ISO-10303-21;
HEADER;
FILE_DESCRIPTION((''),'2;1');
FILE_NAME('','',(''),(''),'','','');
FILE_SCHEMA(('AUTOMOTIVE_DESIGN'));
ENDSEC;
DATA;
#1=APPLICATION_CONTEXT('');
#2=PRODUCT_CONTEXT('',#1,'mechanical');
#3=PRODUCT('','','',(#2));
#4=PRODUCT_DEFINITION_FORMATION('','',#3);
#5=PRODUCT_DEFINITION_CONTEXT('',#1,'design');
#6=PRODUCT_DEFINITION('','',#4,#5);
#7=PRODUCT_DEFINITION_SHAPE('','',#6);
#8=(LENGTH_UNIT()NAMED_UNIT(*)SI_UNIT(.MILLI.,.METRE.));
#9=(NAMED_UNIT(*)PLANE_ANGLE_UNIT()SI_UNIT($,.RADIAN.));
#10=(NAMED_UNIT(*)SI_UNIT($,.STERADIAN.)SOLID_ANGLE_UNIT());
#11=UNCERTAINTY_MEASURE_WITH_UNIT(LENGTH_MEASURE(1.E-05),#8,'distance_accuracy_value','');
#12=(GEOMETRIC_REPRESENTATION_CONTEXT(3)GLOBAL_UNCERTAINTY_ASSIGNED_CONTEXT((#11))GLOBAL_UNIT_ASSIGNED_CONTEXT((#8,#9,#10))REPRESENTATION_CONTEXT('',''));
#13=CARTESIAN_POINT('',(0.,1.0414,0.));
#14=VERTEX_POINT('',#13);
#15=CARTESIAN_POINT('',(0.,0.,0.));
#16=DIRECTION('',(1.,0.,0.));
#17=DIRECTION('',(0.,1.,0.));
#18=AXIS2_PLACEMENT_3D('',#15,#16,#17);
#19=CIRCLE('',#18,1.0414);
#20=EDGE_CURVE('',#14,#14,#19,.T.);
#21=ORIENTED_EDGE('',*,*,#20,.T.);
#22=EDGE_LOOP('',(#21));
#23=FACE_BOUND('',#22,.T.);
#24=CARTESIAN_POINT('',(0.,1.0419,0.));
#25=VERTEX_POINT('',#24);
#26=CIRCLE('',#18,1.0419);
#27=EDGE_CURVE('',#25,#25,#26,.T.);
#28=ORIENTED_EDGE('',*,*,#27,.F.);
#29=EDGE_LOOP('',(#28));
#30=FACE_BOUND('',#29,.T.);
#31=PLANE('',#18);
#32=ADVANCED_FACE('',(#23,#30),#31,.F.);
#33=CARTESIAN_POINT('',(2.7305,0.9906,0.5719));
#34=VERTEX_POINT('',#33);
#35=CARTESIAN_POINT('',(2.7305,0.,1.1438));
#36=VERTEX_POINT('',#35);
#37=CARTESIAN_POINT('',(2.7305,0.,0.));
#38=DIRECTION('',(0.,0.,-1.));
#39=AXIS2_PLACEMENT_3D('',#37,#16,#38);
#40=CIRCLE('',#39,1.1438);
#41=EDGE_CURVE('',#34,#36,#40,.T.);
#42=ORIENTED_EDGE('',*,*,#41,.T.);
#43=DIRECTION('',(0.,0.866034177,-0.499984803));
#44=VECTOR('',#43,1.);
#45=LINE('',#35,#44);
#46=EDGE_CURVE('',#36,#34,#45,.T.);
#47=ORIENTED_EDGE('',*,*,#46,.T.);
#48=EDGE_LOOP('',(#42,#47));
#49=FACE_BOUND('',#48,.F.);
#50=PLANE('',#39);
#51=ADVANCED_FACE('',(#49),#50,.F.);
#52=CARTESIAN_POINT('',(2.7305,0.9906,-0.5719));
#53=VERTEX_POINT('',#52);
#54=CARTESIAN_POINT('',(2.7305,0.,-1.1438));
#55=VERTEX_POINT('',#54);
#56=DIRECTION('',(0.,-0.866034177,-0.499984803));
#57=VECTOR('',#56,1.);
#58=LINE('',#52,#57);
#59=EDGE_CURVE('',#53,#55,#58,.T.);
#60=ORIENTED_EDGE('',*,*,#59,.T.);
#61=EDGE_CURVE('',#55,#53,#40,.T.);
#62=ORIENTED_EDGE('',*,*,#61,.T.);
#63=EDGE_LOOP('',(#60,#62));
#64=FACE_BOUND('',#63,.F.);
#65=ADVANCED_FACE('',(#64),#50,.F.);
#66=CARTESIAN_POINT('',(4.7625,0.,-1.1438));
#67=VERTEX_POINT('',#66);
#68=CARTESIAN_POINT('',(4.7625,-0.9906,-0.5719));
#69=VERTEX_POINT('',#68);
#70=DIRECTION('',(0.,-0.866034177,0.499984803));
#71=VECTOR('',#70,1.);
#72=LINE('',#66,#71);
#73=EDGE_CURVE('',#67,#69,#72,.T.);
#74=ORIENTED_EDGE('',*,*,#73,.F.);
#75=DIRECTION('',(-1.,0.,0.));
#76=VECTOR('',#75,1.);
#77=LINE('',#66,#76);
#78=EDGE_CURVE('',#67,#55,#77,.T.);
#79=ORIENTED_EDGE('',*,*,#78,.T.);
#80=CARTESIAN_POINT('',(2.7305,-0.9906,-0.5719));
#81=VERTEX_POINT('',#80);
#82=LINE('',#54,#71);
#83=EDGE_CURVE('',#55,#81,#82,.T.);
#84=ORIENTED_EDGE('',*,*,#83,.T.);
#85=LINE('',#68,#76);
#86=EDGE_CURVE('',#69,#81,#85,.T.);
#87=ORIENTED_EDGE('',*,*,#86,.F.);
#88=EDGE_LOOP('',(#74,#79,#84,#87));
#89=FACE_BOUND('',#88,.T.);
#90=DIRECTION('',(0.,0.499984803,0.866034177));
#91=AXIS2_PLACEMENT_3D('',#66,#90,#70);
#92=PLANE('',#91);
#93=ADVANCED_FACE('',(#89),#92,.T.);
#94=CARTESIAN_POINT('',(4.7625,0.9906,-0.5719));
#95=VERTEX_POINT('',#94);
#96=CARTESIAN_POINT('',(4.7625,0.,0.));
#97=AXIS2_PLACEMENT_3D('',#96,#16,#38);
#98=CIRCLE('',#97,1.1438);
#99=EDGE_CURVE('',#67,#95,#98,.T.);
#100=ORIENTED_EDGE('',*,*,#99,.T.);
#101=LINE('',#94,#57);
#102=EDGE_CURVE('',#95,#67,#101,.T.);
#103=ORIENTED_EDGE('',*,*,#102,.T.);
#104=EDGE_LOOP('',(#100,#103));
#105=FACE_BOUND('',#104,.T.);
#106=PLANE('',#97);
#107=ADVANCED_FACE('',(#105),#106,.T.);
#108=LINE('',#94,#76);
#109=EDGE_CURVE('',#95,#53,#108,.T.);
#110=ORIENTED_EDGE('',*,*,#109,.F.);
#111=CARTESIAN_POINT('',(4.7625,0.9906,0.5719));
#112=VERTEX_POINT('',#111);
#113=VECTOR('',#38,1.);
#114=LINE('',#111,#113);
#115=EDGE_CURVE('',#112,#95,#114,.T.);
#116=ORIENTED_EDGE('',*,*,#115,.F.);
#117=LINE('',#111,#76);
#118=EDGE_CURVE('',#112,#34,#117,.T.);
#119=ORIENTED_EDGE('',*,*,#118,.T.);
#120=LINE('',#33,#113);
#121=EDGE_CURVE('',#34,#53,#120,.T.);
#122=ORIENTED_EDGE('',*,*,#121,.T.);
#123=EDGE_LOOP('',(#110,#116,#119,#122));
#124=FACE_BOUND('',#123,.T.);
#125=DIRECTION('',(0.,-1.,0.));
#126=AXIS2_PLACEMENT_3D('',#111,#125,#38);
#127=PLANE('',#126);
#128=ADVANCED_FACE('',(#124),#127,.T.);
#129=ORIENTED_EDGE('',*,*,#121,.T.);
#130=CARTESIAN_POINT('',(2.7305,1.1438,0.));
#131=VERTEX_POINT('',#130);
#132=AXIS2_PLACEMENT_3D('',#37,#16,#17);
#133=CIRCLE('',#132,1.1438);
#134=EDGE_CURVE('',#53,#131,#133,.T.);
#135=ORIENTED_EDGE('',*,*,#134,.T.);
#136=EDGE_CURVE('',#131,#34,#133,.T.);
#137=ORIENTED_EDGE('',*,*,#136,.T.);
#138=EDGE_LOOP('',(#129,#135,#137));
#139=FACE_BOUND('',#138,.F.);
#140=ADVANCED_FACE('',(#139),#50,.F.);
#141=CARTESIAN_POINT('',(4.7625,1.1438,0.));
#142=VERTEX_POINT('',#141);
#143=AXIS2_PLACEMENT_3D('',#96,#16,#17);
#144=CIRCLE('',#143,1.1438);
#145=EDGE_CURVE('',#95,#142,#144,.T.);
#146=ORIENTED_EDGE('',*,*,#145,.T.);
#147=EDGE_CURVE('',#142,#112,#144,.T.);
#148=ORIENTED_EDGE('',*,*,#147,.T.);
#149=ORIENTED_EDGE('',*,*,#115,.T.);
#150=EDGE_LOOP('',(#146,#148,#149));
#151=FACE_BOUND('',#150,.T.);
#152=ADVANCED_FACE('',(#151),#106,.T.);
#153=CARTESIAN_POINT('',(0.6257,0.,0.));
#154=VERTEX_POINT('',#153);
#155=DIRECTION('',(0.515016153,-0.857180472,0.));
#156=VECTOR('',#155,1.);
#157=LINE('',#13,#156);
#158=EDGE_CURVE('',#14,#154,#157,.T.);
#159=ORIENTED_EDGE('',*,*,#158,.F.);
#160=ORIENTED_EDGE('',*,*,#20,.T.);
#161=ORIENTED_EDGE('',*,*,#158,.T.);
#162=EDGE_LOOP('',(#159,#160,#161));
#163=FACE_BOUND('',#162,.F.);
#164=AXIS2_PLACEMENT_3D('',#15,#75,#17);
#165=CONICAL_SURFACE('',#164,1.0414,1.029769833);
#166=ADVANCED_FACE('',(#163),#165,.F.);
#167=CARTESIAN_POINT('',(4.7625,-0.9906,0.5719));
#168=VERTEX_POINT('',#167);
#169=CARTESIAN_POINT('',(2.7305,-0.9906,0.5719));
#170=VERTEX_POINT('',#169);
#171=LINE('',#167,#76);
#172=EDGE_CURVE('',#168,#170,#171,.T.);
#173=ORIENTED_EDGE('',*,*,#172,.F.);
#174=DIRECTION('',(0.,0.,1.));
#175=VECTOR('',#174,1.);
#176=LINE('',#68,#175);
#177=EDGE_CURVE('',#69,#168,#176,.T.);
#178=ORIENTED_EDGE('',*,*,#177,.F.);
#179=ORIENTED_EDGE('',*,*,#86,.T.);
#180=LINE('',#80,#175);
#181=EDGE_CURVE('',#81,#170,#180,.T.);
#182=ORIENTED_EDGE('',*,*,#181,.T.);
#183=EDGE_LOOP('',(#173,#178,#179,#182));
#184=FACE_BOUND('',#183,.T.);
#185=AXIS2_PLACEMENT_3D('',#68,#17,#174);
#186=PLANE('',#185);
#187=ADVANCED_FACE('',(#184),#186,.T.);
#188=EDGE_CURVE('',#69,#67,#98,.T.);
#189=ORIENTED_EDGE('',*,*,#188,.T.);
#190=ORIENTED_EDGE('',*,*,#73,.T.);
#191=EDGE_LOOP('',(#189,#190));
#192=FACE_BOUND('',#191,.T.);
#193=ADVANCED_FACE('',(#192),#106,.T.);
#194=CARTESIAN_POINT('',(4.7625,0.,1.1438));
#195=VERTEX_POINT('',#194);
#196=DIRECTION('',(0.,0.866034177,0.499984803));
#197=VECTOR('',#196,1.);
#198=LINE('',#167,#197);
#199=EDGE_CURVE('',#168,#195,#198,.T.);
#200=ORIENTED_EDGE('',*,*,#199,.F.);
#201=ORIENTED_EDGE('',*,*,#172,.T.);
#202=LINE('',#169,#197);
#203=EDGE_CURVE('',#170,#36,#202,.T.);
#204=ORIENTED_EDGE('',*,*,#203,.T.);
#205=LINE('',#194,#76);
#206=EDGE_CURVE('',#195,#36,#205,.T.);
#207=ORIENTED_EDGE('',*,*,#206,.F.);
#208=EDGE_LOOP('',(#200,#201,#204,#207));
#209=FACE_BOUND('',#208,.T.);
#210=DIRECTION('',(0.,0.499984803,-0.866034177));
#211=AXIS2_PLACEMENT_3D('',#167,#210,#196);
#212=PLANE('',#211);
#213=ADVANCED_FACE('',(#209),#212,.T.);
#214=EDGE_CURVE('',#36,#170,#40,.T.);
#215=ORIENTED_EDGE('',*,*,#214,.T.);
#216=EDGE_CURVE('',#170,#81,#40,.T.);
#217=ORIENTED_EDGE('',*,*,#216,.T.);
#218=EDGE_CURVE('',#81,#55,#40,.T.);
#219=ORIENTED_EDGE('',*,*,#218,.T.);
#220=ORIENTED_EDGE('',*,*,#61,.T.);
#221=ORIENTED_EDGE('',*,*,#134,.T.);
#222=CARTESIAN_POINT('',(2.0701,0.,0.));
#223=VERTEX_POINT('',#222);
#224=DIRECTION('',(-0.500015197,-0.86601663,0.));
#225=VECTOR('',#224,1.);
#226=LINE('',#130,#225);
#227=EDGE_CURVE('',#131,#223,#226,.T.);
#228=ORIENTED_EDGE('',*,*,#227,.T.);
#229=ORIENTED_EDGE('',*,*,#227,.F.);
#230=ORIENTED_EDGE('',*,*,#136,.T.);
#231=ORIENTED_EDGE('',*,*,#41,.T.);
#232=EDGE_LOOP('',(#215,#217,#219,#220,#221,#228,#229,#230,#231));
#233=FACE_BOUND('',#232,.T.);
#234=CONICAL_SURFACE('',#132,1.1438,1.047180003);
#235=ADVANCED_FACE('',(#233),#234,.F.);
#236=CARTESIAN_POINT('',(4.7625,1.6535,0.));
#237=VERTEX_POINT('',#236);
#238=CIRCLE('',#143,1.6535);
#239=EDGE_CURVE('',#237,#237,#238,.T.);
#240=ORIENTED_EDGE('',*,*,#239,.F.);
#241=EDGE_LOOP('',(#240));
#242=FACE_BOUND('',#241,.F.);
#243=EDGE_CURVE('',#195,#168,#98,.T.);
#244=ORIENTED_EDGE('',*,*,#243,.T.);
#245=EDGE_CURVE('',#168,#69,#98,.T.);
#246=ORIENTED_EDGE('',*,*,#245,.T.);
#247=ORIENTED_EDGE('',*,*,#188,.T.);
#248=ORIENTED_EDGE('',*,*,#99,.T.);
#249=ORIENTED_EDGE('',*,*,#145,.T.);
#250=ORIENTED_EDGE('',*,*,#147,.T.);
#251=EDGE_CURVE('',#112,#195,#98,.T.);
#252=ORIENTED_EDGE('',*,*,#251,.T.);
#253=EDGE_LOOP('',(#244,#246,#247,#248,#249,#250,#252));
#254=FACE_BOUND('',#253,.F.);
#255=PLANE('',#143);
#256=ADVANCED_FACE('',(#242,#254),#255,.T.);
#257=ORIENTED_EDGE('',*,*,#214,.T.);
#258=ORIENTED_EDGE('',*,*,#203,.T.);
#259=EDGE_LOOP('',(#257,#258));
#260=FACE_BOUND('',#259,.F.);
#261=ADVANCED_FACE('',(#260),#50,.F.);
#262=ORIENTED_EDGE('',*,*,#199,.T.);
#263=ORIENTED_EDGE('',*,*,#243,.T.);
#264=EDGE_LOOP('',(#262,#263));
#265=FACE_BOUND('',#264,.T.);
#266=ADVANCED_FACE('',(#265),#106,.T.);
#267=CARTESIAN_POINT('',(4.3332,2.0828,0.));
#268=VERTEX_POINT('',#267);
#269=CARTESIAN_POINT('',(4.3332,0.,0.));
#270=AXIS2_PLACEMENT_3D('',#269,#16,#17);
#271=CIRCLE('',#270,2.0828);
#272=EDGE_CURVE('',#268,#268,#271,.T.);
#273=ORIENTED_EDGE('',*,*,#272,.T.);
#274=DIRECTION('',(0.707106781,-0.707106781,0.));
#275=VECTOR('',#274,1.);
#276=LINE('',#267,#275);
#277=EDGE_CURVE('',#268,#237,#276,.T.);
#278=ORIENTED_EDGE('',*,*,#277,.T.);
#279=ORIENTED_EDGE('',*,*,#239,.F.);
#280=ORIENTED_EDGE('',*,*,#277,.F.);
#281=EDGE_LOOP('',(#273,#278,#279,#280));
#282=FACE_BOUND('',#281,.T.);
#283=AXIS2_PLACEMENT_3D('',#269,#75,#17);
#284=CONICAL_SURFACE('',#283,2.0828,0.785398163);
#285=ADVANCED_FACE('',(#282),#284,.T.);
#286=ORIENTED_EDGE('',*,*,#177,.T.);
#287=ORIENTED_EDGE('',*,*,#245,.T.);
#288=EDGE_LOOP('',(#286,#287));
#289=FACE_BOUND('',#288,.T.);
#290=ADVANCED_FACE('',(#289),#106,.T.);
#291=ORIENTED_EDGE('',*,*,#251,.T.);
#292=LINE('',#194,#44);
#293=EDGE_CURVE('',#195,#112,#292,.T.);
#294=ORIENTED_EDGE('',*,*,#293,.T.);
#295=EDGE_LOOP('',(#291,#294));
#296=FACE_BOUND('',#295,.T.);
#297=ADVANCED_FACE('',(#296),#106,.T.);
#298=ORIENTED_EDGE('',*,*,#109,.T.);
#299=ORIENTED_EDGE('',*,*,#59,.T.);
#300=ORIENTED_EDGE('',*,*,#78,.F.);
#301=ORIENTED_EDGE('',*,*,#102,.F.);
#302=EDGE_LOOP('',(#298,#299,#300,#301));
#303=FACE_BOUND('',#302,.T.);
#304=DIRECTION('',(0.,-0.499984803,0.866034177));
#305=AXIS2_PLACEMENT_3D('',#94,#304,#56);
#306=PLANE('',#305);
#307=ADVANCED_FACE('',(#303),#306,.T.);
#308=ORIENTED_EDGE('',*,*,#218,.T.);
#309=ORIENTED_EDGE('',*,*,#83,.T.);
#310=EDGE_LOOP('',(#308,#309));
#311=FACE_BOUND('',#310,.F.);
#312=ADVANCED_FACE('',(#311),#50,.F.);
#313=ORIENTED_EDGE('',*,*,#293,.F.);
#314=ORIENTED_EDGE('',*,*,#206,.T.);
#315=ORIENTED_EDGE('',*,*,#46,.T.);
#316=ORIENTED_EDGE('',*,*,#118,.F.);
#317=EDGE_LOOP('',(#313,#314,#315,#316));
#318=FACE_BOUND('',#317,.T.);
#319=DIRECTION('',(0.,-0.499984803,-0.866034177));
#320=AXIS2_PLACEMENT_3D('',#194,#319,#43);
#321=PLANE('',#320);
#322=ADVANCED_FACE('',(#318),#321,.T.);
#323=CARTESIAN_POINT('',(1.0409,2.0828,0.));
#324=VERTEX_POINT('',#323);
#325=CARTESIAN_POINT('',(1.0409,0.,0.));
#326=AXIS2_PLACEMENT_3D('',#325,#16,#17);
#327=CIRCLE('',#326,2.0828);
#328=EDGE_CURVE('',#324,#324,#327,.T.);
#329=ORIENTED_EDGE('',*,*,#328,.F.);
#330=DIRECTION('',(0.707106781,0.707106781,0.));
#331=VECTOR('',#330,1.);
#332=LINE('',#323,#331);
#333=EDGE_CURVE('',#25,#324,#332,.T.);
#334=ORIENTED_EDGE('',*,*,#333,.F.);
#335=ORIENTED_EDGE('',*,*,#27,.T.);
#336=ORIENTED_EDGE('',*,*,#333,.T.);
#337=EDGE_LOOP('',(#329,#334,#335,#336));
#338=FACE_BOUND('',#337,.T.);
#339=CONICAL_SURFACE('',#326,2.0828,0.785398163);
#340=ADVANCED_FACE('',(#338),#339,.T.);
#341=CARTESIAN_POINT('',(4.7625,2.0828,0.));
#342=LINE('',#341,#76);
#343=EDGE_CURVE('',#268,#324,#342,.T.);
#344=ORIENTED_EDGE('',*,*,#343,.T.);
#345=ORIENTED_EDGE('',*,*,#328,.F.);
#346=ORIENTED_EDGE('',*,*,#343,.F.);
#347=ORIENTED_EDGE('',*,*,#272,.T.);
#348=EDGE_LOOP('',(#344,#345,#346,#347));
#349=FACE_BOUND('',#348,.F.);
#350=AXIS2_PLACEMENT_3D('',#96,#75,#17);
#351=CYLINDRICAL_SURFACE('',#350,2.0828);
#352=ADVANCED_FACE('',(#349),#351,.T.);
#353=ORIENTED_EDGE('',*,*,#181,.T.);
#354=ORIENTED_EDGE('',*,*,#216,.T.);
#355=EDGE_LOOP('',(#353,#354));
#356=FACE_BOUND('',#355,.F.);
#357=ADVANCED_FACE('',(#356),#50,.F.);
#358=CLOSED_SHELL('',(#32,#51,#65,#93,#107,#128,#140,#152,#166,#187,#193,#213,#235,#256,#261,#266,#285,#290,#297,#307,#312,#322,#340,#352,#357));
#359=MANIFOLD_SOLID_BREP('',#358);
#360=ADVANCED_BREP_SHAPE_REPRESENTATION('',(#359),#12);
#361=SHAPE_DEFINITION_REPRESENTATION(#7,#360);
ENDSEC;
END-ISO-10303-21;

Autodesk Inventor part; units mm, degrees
ref_plane "YZ Plane" through (0, 0, 0) normal (1, 0, 0) x (0, 1, 0)
ref_plane "XZ Plane" through (0, 0, 0) normal (0, 1, 0) x (-1, 0, 0)
sketch "Sketch1" plane through (0, 0, 0) normal (0, 0, 1) x (1, 0, 0)
  line L0 (0.6257, 0) -> (2.0701, 0)
  line L1 (4.7625, 1.1438) -> (4.7625, 2.0828)
  line L2 (4.7625, 2.0828) -> (0, 2.0828)
  line L3 (4.7625, 1.1438) -> (2.7305, 1.1438)
  line L4 (2.7305, 1.1438) -> (2.0701, 0)
  line L5 (0, 1.0414) -> (0.6257, 0)
  line L6 (0, -0.4166) -> (0, 2.4994) projected
  line L7 (0, 1.0414) -> (0, 2.0828)
  point P0 (0, 0)
  dimension "d0" = 2.032
  dimension "d1" = 60
  dimension "d2" = 4.1656
  dimension "d3" = 2.2877
  dimension "d4" = 4.7625
  dimension "d5" = 59
  dimension "d7" = 2.0828
revolve "Body" add sketch "Sketch1" angle 360 about axis through (0.6257, 0, 0) along (1, 0, 0)
sketch "Sketch2" plane through (4.7625, 0, 0) normal (1, 0, 0) x (0, 0, -1)
  circle A0 centre (0, 0) radius 1.1438 projected
  circle A1 centre (0, 0) radius 2.0828 projected
  line L0 (1.1438, 0) -> (0.5719, -0.9906)
  line L1 (0.5719, -0.9906) -> (-0.5719, -0.9906)
  line L2 (-0.5719, -0.9906) -> (-1.1438, 0)
  line L3 (-1.1438, 0) -> (-0.5719, 0.9906)
  line L4 (-0.5719, 0.9906) -> (0.5719, 0.9906)
  line L5 (0.5719, 0.9906) -> (1.1438, 0)
extrude "Slot" add sketch "Sketch2" against normal blind 2.032 contours L5 A0 | A0 L0 | L4 A0 | A0 L1 | L3 A0 | A0 L2
chamfer "Chamfer1" distance 1.0414 angle 45 1 edges at (0, -2.0828, 0) measured on face at (0, 1.7155, -0.1661)
thread "Thread" size "8-32 UNC" class "2A" standard "ANSI Unified Screw Threads" length 4.7625
chamfer "Chamfer2" distance 0.4293 angle 45 1 edges at (4.7625, -2.0828, 0) measured on face at (3.522, 2.0558, -0.3341)
ref_plane "Work Plane1" through (2.3813, 0, 0) normal (0, -0.5, -0.866) x (1, 0, 0)
equation "\"d0\" = INTI"
equation "\"d2\" = NND"
equation "\"d3\" = 1.1547 * SW"
equation "\"d4\" = NLG"
equation "\"d5\" = 0.5 * ANG"
equation "\"d7\" = SPD"
equation "\"d8\" = INTI"
equation "\"d10\" = -0.5 * SPD + 0.5 * NND"
equation "\"d11\" = FAWI"
equation "\"d33\" = -0.5 * SPD + 0.5 * NND"
equation "\"d14\" = NLG"
equation "\"d12\" = -0.5 * GD1 + 0.5 * NND"
equation "\"d13\" = FAWI"
equation "\"d34\" = -0.5 * GD1 + 0.5 * NND"
equation "\"NND\" = 4.1656"
equation "\"NLG\" = 4.7625"
equation "\"INTI\" = 2.032"
equation "\"FAWI\" = 45deg"
equation "\"SW\" = 1.9812"
equation "\"GD1\" = 3.30708"
equation "\"ANG\" = 118deg"
equation "\"FAWI1\" = FAWI"
equation "\"SPD\" = 2.0828"
equation "\"TOA\" = 30deg"
equation "\"THREADDIA\" = 4.1656"
equation "\"E0\" = 1.155 * SW"
properties part number "ANSI B18.3 - 8-32 UNC - 0.1875" material "Steel, Mild"
